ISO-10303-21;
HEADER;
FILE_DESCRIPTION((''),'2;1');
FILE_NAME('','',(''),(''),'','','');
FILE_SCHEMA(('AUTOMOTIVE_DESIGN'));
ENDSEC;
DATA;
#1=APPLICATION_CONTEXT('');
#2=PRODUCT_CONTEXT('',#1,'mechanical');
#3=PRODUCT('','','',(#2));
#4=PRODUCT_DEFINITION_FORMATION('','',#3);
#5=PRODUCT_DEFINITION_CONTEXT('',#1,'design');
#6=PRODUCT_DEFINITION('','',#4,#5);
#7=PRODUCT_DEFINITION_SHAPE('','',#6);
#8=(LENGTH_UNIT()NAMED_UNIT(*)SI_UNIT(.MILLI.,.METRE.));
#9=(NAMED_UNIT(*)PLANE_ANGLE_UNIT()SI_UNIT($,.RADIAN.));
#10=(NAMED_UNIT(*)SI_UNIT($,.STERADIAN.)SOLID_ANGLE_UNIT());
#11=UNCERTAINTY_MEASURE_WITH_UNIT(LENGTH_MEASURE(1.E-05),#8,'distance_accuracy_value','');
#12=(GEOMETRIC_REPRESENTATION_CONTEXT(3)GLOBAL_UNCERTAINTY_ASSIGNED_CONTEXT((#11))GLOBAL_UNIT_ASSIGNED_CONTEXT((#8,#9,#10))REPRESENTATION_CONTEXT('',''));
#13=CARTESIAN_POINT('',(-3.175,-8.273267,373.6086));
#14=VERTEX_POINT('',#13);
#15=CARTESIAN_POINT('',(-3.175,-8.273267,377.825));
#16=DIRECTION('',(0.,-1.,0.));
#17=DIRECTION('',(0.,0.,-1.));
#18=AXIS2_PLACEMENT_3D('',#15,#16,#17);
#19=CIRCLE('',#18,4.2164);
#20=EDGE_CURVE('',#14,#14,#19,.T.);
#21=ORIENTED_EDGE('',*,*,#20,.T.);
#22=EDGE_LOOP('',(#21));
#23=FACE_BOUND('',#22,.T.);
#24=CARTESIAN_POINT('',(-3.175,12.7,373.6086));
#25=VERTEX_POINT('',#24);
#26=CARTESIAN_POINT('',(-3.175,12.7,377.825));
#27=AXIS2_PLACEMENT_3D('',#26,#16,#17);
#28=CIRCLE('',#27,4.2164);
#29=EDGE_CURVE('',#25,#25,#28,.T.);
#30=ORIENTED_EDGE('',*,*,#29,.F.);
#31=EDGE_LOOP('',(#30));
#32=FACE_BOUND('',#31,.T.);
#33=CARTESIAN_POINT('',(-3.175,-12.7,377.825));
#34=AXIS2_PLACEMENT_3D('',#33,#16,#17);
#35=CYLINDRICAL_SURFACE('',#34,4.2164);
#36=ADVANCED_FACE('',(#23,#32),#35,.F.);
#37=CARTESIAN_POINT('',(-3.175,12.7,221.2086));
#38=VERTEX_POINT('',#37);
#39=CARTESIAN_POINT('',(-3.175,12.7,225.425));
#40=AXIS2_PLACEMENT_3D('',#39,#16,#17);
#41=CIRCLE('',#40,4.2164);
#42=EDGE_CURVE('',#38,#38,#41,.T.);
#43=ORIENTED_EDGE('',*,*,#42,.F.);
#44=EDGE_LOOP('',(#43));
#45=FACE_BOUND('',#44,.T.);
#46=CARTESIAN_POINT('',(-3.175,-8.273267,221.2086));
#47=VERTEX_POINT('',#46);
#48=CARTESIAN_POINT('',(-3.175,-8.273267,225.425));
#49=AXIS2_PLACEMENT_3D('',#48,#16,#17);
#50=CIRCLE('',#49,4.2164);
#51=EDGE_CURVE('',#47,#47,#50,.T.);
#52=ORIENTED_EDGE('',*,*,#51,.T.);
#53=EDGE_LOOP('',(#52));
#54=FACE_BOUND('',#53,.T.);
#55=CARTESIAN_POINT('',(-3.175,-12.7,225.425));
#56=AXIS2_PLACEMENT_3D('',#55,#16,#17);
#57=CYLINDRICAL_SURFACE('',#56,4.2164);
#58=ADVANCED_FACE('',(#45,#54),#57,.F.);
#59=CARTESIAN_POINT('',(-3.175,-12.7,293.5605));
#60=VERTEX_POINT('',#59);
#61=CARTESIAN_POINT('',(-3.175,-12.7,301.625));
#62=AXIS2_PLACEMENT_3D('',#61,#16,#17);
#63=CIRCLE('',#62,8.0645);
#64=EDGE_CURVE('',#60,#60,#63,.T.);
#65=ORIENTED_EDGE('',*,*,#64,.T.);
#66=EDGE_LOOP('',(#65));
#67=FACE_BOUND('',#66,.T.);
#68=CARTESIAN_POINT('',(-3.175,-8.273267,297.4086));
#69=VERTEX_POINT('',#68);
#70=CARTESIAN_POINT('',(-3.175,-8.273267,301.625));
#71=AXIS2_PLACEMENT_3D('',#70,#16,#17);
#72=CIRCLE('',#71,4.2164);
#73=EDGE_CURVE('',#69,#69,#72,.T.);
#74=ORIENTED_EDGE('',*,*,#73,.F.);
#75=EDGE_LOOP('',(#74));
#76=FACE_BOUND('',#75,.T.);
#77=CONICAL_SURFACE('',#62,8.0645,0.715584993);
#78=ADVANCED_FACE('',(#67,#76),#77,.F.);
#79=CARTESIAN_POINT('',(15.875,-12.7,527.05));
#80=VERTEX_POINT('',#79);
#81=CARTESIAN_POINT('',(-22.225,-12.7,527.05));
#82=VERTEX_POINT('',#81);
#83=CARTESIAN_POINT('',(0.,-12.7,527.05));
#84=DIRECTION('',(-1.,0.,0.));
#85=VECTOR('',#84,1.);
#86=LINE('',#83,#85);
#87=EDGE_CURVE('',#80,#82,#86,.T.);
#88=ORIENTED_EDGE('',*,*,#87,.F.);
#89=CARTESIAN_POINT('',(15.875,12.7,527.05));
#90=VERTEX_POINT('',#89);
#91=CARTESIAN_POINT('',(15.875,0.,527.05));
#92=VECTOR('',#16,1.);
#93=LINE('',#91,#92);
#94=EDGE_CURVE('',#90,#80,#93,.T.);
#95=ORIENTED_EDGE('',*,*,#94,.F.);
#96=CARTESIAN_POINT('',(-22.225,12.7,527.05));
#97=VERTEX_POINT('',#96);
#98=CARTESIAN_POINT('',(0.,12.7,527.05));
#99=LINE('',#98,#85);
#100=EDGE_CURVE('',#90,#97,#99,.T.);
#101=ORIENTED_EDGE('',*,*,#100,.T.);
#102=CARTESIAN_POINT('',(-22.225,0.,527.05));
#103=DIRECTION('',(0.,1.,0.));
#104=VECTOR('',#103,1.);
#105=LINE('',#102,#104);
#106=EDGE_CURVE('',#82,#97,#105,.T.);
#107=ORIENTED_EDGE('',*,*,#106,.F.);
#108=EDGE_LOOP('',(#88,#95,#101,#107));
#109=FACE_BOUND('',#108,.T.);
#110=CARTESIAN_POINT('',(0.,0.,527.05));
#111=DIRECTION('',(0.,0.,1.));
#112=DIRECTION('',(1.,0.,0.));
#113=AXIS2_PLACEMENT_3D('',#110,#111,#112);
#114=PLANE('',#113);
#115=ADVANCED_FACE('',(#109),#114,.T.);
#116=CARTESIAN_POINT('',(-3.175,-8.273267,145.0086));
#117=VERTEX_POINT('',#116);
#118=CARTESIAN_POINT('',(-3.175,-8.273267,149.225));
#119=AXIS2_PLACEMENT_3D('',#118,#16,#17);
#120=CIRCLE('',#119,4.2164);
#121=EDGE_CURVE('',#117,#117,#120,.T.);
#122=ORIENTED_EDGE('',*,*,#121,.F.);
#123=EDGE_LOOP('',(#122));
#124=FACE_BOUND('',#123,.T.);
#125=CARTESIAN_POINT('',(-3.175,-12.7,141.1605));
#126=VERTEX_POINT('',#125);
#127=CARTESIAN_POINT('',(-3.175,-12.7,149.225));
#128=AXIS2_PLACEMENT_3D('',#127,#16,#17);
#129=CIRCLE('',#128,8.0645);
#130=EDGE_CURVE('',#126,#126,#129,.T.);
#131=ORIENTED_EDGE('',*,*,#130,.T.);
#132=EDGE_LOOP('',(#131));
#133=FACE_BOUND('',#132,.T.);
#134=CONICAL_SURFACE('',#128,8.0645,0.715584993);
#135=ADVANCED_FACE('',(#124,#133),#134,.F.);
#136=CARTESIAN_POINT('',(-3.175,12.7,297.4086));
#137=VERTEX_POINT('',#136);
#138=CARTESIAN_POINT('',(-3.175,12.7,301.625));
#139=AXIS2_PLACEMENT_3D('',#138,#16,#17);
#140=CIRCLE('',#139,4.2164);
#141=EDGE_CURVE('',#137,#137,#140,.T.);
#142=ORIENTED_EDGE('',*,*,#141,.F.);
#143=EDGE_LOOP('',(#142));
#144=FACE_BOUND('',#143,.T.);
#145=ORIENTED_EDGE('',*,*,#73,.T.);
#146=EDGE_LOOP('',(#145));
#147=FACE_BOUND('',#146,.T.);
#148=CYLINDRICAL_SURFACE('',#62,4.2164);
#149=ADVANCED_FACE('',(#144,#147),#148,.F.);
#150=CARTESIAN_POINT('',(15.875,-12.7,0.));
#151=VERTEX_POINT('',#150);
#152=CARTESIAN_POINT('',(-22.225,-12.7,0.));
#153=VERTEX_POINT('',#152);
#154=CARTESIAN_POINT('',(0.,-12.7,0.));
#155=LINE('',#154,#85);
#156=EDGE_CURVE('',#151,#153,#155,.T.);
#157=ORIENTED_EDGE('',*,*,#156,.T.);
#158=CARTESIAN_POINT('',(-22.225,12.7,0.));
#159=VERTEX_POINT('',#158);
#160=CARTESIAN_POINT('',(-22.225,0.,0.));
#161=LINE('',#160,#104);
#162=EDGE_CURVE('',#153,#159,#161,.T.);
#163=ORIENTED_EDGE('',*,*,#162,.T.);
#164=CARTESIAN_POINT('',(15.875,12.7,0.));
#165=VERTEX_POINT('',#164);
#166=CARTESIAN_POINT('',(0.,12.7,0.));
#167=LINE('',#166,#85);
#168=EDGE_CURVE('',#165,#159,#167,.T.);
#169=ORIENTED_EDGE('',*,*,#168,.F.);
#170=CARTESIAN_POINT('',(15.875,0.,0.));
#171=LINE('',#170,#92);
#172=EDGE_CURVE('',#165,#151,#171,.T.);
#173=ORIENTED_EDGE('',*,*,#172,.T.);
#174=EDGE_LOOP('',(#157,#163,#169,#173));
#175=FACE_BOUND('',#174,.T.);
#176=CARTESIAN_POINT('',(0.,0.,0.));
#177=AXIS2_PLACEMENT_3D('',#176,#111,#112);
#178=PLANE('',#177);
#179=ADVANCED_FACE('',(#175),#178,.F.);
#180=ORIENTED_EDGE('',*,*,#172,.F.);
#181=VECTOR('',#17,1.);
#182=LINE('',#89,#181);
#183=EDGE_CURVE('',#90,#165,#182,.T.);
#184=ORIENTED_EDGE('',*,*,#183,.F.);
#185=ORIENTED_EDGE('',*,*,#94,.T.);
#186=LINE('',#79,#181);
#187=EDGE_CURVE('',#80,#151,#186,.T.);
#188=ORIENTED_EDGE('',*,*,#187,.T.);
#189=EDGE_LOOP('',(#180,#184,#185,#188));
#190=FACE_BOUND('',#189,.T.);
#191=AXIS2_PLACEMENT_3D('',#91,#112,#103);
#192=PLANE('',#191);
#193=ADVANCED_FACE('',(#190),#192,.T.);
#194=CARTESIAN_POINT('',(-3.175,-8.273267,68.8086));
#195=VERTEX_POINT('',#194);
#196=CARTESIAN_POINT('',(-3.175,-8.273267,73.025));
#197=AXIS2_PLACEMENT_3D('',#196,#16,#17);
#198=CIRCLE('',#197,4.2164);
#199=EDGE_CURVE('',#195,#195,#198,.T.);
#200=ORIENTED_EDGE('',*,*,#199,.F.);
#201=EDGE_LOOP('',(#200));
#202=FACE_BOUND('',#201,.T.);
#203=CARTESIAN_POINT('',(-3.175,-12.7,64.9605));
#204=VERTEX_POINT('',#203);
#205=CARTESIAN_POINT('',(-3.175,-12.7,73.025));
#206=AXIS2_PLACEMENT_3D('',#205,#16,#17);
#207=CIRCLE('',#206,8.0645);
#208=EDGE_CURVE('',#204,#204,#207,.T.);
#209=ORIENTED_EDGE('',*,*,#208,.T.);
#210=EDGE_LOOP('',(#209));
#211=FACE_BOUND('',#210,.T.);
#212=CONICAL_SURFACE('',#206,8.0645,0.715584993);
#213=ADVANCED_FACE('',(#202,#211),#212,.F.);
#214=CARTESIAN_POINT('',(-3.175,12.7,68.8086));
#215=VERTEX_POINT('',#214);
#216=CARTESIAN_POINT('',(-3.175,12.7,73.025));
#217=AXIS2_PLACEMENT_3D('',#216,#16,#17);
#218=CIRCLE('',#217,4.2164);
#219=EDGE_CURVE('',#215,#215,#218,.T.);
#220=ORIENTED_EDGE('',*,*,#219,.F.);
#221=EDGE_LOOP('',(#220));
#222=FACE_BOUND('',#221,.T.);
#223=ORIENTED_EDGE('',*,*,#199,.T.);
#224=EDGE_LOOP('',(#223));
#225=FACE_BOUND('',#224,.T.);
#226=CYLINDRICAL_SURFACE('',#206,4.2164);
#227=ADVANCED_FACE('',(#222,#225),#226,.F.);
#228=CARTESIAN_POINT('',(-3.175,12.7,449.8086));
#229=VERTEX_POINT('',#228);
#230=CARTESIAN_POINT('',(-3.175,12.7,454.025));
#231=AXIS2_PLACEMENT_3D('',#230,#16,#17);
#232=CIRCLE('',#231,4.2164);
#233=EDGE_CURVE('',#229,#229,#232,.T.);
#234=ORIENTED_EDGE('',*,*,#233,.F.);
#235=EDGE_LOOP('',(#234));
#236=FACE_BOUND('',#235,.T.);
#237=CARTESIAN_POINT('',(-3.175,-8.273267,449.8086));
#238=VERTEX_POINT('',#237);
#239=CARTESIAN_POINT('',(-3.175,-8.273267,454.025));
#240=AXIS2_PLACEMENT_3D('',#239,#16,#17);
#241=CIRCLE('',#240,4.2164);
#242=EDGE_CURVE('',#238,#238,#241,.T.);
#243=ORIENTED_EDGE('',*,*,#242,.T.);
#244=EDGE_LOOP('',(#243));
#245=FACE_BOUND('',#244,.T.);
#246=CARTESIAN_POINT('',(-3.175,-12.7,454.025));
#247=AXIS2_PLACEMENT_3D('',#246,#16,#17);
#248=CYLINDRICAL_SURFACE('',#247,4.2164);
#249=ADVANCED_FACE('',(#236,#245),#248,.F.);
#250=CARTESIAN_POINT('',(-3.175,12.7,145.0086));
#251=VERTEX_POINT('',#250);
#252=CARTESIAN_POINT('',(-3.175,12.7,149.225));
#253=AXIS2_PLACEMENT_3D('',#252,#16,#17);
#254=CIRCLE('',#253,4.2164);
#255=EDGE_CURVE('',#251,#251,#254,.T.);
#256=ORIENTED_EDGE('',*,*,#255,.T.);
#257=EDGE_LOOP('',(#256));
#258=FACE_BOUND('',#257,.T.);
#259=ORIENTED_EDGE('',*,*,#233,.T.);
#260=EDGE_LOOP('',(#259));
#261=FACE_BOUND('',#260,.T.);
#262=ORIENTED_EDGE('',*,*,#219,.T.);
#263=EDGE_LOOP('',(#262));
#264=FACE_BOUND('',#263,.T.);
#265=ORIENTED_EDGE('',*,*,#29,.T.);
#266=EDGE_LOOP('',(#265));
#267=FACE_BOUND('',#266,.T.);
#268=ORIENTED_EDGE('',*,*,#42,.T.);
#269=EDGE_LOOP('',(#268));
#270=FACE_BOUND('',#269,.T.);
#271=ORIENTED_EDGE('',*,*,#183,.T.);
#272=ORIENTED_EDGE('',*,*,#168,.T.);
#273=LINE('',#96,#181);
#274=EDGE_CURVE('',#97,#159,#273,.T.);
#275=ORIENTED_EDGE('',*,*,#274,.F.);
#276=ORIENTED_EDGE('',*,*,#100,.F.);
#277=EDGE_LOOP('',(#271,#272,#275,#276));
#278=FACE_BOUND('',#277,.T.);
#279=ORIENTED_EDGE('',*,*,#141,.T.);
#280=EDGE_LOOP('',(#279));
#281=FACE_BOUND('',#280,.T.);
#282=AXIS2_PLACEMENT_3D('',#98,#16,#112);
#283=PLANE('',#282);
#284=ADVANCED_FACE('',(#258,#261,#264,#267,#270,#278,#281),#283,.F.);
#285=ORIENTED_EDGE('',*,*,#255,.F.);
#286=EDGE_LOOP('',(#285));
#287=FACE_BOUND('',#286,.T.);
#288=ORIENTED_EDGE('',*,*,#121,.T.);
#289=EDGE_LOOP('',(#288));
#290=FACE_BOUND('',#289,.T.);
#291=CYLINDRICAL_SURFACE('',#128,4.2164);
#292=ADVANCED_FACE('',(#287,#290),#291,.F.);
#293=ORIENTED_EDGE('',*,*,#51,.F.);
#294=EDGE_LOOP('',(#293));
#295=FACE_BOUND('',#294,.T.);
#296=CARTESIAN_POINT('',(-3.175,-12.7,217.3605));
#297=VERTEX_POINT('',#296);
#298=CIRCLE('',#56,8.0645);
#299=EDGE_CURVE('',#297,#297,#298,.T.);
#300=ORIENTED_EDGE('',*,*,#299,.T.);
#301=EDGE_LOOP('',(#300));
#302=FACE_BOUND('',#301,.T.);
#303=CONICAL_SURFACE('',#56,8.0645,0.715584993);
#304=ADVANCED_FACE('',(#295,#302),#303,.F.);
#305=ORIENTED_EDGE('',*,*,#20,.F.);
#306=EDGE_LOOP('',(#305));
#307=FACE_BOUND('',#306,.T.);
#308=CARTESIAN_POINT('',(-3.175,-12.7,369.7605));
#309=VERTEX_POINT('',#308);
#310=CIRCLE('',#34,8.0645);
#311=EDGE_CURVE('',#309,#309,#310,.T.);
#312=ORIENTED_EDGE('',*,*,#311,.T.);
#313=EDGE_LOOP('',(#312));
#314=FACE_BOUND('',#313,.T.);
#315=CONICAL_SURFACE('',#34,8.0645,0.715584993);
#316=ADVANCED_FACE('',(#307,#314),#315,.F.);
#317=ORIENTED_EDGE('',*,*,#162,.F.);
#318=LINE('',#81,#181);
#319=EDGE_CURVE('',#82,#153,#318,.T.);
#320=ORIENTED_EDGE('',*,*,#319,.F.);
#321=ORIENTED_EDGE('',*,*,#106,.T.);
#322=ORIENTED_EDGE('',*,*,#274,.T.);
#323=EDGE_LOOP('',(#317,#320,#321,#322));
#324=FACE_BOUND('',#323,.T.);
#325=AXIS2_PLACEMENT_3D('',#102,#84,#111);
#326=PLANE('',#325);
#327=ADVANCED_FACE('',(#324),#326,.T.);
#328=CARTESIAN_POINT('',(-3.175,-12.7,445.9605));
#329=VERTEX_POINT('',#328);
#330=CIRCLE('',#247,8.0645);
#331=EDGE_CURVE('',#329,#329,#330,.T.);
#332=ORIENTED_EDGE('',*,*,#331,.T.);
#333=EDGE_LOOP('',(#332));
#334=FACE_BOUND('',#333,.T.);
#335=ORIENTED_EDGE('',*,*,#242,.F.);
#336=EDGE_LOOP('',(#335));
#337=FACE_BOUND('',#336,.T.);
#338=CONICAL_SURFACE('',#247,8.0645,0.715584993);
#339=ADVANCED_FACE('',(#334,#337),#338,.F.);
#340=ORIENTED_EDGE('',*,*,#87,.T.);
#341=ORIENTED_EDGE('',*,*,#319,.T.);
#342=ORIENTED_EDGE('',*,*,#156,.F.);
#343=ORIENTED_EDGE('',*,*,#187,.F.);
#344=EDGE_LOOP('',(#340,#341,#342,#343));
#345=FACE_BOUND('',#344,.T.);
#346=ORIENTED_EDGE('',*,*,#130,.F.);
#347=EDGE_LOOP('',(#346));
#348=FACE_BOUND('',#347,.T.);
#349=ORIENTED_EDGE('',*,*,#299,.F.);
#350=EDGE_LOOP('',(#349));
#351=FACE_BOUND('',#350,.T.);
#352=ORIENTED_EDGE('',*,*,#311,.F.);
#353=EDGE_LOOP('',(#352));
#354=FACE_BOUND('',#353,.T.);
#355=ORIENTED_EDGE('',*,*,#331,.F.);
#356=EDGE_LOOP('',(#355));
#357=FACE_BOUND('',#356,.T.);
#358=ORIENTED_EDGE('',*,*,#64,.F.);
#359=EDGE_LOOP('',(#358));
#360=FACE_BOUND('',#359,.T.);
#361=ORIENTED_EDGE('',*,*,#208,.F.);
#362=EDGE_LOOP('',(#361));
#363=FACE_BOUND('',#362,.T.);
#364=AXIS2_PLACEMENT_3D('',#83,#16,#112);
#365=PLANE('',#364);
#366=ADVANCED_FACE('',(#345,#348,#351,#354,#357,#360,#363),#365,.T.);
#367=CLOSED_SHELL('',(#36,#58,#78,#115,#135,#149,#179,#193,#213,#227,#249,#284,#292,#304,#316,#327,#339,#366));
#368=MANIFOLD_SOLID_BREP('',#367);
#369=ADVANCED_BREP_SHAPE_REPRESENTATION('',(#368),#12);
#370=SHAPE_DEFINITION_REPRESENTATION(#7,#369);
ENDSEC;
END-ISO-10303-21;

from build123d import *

# Parameters (mm, degrees)
SKETCH1_W                                         = 38.1
SKETCH1_H                                         = 25.4
BOSS_EXTRUDE1_DEPTH                               = 527.05
CSK_FOR_5_16_FLAT_HEAD_MACHINE_SCREW1_D           = 8.4328
CSK_FOR_5_16_FLAT_HEAD_MACHINE_SCREW1_CSINK_D     = 16.129
CSK_FOR_5_16_FLAT_HEAD_MACHINE_SCREW1_CSINK_ANGLE = 82


with BuildPart() as part:
    # Sketch1 → Boss-Extrude1 (new body)
    with BuildSketch(Plane.XY):
        with Locations((-3.175, 0)):
            Rectangle(SKETCH1_W, SKETCH1_H)
    extrude(amount=BOSS_EXTRUDE1_DEPTH)

    # CSK for 5/16 Flat Head Machine Screw1 (through all)
    with Locations(Plane(origin=(0, -12.7, 0), x_dir=(-1, 0, 0), z_dir=(0, -1, 0))):
        with Locations((3.175, -454.025), (3.175, -377.825), (3.175, -301.625), (3.175, -225.425), (3.175, -149.225), (3.175, -73.025)):
            CounterSinkHole(CSK_FOR_5_16_FLAT_HEAD_MACHINE_SCREW1_D / 2, CSK_FOR_5_16_FLAT_HEAD_MACHINE_SCREW1_CSINK_D / 2, counter_sink_angle=CSK_FOR_5_16_FLAT_HEAD_MACHINE_SCREW1_CSINK_ANGLE)


solid = part.part
